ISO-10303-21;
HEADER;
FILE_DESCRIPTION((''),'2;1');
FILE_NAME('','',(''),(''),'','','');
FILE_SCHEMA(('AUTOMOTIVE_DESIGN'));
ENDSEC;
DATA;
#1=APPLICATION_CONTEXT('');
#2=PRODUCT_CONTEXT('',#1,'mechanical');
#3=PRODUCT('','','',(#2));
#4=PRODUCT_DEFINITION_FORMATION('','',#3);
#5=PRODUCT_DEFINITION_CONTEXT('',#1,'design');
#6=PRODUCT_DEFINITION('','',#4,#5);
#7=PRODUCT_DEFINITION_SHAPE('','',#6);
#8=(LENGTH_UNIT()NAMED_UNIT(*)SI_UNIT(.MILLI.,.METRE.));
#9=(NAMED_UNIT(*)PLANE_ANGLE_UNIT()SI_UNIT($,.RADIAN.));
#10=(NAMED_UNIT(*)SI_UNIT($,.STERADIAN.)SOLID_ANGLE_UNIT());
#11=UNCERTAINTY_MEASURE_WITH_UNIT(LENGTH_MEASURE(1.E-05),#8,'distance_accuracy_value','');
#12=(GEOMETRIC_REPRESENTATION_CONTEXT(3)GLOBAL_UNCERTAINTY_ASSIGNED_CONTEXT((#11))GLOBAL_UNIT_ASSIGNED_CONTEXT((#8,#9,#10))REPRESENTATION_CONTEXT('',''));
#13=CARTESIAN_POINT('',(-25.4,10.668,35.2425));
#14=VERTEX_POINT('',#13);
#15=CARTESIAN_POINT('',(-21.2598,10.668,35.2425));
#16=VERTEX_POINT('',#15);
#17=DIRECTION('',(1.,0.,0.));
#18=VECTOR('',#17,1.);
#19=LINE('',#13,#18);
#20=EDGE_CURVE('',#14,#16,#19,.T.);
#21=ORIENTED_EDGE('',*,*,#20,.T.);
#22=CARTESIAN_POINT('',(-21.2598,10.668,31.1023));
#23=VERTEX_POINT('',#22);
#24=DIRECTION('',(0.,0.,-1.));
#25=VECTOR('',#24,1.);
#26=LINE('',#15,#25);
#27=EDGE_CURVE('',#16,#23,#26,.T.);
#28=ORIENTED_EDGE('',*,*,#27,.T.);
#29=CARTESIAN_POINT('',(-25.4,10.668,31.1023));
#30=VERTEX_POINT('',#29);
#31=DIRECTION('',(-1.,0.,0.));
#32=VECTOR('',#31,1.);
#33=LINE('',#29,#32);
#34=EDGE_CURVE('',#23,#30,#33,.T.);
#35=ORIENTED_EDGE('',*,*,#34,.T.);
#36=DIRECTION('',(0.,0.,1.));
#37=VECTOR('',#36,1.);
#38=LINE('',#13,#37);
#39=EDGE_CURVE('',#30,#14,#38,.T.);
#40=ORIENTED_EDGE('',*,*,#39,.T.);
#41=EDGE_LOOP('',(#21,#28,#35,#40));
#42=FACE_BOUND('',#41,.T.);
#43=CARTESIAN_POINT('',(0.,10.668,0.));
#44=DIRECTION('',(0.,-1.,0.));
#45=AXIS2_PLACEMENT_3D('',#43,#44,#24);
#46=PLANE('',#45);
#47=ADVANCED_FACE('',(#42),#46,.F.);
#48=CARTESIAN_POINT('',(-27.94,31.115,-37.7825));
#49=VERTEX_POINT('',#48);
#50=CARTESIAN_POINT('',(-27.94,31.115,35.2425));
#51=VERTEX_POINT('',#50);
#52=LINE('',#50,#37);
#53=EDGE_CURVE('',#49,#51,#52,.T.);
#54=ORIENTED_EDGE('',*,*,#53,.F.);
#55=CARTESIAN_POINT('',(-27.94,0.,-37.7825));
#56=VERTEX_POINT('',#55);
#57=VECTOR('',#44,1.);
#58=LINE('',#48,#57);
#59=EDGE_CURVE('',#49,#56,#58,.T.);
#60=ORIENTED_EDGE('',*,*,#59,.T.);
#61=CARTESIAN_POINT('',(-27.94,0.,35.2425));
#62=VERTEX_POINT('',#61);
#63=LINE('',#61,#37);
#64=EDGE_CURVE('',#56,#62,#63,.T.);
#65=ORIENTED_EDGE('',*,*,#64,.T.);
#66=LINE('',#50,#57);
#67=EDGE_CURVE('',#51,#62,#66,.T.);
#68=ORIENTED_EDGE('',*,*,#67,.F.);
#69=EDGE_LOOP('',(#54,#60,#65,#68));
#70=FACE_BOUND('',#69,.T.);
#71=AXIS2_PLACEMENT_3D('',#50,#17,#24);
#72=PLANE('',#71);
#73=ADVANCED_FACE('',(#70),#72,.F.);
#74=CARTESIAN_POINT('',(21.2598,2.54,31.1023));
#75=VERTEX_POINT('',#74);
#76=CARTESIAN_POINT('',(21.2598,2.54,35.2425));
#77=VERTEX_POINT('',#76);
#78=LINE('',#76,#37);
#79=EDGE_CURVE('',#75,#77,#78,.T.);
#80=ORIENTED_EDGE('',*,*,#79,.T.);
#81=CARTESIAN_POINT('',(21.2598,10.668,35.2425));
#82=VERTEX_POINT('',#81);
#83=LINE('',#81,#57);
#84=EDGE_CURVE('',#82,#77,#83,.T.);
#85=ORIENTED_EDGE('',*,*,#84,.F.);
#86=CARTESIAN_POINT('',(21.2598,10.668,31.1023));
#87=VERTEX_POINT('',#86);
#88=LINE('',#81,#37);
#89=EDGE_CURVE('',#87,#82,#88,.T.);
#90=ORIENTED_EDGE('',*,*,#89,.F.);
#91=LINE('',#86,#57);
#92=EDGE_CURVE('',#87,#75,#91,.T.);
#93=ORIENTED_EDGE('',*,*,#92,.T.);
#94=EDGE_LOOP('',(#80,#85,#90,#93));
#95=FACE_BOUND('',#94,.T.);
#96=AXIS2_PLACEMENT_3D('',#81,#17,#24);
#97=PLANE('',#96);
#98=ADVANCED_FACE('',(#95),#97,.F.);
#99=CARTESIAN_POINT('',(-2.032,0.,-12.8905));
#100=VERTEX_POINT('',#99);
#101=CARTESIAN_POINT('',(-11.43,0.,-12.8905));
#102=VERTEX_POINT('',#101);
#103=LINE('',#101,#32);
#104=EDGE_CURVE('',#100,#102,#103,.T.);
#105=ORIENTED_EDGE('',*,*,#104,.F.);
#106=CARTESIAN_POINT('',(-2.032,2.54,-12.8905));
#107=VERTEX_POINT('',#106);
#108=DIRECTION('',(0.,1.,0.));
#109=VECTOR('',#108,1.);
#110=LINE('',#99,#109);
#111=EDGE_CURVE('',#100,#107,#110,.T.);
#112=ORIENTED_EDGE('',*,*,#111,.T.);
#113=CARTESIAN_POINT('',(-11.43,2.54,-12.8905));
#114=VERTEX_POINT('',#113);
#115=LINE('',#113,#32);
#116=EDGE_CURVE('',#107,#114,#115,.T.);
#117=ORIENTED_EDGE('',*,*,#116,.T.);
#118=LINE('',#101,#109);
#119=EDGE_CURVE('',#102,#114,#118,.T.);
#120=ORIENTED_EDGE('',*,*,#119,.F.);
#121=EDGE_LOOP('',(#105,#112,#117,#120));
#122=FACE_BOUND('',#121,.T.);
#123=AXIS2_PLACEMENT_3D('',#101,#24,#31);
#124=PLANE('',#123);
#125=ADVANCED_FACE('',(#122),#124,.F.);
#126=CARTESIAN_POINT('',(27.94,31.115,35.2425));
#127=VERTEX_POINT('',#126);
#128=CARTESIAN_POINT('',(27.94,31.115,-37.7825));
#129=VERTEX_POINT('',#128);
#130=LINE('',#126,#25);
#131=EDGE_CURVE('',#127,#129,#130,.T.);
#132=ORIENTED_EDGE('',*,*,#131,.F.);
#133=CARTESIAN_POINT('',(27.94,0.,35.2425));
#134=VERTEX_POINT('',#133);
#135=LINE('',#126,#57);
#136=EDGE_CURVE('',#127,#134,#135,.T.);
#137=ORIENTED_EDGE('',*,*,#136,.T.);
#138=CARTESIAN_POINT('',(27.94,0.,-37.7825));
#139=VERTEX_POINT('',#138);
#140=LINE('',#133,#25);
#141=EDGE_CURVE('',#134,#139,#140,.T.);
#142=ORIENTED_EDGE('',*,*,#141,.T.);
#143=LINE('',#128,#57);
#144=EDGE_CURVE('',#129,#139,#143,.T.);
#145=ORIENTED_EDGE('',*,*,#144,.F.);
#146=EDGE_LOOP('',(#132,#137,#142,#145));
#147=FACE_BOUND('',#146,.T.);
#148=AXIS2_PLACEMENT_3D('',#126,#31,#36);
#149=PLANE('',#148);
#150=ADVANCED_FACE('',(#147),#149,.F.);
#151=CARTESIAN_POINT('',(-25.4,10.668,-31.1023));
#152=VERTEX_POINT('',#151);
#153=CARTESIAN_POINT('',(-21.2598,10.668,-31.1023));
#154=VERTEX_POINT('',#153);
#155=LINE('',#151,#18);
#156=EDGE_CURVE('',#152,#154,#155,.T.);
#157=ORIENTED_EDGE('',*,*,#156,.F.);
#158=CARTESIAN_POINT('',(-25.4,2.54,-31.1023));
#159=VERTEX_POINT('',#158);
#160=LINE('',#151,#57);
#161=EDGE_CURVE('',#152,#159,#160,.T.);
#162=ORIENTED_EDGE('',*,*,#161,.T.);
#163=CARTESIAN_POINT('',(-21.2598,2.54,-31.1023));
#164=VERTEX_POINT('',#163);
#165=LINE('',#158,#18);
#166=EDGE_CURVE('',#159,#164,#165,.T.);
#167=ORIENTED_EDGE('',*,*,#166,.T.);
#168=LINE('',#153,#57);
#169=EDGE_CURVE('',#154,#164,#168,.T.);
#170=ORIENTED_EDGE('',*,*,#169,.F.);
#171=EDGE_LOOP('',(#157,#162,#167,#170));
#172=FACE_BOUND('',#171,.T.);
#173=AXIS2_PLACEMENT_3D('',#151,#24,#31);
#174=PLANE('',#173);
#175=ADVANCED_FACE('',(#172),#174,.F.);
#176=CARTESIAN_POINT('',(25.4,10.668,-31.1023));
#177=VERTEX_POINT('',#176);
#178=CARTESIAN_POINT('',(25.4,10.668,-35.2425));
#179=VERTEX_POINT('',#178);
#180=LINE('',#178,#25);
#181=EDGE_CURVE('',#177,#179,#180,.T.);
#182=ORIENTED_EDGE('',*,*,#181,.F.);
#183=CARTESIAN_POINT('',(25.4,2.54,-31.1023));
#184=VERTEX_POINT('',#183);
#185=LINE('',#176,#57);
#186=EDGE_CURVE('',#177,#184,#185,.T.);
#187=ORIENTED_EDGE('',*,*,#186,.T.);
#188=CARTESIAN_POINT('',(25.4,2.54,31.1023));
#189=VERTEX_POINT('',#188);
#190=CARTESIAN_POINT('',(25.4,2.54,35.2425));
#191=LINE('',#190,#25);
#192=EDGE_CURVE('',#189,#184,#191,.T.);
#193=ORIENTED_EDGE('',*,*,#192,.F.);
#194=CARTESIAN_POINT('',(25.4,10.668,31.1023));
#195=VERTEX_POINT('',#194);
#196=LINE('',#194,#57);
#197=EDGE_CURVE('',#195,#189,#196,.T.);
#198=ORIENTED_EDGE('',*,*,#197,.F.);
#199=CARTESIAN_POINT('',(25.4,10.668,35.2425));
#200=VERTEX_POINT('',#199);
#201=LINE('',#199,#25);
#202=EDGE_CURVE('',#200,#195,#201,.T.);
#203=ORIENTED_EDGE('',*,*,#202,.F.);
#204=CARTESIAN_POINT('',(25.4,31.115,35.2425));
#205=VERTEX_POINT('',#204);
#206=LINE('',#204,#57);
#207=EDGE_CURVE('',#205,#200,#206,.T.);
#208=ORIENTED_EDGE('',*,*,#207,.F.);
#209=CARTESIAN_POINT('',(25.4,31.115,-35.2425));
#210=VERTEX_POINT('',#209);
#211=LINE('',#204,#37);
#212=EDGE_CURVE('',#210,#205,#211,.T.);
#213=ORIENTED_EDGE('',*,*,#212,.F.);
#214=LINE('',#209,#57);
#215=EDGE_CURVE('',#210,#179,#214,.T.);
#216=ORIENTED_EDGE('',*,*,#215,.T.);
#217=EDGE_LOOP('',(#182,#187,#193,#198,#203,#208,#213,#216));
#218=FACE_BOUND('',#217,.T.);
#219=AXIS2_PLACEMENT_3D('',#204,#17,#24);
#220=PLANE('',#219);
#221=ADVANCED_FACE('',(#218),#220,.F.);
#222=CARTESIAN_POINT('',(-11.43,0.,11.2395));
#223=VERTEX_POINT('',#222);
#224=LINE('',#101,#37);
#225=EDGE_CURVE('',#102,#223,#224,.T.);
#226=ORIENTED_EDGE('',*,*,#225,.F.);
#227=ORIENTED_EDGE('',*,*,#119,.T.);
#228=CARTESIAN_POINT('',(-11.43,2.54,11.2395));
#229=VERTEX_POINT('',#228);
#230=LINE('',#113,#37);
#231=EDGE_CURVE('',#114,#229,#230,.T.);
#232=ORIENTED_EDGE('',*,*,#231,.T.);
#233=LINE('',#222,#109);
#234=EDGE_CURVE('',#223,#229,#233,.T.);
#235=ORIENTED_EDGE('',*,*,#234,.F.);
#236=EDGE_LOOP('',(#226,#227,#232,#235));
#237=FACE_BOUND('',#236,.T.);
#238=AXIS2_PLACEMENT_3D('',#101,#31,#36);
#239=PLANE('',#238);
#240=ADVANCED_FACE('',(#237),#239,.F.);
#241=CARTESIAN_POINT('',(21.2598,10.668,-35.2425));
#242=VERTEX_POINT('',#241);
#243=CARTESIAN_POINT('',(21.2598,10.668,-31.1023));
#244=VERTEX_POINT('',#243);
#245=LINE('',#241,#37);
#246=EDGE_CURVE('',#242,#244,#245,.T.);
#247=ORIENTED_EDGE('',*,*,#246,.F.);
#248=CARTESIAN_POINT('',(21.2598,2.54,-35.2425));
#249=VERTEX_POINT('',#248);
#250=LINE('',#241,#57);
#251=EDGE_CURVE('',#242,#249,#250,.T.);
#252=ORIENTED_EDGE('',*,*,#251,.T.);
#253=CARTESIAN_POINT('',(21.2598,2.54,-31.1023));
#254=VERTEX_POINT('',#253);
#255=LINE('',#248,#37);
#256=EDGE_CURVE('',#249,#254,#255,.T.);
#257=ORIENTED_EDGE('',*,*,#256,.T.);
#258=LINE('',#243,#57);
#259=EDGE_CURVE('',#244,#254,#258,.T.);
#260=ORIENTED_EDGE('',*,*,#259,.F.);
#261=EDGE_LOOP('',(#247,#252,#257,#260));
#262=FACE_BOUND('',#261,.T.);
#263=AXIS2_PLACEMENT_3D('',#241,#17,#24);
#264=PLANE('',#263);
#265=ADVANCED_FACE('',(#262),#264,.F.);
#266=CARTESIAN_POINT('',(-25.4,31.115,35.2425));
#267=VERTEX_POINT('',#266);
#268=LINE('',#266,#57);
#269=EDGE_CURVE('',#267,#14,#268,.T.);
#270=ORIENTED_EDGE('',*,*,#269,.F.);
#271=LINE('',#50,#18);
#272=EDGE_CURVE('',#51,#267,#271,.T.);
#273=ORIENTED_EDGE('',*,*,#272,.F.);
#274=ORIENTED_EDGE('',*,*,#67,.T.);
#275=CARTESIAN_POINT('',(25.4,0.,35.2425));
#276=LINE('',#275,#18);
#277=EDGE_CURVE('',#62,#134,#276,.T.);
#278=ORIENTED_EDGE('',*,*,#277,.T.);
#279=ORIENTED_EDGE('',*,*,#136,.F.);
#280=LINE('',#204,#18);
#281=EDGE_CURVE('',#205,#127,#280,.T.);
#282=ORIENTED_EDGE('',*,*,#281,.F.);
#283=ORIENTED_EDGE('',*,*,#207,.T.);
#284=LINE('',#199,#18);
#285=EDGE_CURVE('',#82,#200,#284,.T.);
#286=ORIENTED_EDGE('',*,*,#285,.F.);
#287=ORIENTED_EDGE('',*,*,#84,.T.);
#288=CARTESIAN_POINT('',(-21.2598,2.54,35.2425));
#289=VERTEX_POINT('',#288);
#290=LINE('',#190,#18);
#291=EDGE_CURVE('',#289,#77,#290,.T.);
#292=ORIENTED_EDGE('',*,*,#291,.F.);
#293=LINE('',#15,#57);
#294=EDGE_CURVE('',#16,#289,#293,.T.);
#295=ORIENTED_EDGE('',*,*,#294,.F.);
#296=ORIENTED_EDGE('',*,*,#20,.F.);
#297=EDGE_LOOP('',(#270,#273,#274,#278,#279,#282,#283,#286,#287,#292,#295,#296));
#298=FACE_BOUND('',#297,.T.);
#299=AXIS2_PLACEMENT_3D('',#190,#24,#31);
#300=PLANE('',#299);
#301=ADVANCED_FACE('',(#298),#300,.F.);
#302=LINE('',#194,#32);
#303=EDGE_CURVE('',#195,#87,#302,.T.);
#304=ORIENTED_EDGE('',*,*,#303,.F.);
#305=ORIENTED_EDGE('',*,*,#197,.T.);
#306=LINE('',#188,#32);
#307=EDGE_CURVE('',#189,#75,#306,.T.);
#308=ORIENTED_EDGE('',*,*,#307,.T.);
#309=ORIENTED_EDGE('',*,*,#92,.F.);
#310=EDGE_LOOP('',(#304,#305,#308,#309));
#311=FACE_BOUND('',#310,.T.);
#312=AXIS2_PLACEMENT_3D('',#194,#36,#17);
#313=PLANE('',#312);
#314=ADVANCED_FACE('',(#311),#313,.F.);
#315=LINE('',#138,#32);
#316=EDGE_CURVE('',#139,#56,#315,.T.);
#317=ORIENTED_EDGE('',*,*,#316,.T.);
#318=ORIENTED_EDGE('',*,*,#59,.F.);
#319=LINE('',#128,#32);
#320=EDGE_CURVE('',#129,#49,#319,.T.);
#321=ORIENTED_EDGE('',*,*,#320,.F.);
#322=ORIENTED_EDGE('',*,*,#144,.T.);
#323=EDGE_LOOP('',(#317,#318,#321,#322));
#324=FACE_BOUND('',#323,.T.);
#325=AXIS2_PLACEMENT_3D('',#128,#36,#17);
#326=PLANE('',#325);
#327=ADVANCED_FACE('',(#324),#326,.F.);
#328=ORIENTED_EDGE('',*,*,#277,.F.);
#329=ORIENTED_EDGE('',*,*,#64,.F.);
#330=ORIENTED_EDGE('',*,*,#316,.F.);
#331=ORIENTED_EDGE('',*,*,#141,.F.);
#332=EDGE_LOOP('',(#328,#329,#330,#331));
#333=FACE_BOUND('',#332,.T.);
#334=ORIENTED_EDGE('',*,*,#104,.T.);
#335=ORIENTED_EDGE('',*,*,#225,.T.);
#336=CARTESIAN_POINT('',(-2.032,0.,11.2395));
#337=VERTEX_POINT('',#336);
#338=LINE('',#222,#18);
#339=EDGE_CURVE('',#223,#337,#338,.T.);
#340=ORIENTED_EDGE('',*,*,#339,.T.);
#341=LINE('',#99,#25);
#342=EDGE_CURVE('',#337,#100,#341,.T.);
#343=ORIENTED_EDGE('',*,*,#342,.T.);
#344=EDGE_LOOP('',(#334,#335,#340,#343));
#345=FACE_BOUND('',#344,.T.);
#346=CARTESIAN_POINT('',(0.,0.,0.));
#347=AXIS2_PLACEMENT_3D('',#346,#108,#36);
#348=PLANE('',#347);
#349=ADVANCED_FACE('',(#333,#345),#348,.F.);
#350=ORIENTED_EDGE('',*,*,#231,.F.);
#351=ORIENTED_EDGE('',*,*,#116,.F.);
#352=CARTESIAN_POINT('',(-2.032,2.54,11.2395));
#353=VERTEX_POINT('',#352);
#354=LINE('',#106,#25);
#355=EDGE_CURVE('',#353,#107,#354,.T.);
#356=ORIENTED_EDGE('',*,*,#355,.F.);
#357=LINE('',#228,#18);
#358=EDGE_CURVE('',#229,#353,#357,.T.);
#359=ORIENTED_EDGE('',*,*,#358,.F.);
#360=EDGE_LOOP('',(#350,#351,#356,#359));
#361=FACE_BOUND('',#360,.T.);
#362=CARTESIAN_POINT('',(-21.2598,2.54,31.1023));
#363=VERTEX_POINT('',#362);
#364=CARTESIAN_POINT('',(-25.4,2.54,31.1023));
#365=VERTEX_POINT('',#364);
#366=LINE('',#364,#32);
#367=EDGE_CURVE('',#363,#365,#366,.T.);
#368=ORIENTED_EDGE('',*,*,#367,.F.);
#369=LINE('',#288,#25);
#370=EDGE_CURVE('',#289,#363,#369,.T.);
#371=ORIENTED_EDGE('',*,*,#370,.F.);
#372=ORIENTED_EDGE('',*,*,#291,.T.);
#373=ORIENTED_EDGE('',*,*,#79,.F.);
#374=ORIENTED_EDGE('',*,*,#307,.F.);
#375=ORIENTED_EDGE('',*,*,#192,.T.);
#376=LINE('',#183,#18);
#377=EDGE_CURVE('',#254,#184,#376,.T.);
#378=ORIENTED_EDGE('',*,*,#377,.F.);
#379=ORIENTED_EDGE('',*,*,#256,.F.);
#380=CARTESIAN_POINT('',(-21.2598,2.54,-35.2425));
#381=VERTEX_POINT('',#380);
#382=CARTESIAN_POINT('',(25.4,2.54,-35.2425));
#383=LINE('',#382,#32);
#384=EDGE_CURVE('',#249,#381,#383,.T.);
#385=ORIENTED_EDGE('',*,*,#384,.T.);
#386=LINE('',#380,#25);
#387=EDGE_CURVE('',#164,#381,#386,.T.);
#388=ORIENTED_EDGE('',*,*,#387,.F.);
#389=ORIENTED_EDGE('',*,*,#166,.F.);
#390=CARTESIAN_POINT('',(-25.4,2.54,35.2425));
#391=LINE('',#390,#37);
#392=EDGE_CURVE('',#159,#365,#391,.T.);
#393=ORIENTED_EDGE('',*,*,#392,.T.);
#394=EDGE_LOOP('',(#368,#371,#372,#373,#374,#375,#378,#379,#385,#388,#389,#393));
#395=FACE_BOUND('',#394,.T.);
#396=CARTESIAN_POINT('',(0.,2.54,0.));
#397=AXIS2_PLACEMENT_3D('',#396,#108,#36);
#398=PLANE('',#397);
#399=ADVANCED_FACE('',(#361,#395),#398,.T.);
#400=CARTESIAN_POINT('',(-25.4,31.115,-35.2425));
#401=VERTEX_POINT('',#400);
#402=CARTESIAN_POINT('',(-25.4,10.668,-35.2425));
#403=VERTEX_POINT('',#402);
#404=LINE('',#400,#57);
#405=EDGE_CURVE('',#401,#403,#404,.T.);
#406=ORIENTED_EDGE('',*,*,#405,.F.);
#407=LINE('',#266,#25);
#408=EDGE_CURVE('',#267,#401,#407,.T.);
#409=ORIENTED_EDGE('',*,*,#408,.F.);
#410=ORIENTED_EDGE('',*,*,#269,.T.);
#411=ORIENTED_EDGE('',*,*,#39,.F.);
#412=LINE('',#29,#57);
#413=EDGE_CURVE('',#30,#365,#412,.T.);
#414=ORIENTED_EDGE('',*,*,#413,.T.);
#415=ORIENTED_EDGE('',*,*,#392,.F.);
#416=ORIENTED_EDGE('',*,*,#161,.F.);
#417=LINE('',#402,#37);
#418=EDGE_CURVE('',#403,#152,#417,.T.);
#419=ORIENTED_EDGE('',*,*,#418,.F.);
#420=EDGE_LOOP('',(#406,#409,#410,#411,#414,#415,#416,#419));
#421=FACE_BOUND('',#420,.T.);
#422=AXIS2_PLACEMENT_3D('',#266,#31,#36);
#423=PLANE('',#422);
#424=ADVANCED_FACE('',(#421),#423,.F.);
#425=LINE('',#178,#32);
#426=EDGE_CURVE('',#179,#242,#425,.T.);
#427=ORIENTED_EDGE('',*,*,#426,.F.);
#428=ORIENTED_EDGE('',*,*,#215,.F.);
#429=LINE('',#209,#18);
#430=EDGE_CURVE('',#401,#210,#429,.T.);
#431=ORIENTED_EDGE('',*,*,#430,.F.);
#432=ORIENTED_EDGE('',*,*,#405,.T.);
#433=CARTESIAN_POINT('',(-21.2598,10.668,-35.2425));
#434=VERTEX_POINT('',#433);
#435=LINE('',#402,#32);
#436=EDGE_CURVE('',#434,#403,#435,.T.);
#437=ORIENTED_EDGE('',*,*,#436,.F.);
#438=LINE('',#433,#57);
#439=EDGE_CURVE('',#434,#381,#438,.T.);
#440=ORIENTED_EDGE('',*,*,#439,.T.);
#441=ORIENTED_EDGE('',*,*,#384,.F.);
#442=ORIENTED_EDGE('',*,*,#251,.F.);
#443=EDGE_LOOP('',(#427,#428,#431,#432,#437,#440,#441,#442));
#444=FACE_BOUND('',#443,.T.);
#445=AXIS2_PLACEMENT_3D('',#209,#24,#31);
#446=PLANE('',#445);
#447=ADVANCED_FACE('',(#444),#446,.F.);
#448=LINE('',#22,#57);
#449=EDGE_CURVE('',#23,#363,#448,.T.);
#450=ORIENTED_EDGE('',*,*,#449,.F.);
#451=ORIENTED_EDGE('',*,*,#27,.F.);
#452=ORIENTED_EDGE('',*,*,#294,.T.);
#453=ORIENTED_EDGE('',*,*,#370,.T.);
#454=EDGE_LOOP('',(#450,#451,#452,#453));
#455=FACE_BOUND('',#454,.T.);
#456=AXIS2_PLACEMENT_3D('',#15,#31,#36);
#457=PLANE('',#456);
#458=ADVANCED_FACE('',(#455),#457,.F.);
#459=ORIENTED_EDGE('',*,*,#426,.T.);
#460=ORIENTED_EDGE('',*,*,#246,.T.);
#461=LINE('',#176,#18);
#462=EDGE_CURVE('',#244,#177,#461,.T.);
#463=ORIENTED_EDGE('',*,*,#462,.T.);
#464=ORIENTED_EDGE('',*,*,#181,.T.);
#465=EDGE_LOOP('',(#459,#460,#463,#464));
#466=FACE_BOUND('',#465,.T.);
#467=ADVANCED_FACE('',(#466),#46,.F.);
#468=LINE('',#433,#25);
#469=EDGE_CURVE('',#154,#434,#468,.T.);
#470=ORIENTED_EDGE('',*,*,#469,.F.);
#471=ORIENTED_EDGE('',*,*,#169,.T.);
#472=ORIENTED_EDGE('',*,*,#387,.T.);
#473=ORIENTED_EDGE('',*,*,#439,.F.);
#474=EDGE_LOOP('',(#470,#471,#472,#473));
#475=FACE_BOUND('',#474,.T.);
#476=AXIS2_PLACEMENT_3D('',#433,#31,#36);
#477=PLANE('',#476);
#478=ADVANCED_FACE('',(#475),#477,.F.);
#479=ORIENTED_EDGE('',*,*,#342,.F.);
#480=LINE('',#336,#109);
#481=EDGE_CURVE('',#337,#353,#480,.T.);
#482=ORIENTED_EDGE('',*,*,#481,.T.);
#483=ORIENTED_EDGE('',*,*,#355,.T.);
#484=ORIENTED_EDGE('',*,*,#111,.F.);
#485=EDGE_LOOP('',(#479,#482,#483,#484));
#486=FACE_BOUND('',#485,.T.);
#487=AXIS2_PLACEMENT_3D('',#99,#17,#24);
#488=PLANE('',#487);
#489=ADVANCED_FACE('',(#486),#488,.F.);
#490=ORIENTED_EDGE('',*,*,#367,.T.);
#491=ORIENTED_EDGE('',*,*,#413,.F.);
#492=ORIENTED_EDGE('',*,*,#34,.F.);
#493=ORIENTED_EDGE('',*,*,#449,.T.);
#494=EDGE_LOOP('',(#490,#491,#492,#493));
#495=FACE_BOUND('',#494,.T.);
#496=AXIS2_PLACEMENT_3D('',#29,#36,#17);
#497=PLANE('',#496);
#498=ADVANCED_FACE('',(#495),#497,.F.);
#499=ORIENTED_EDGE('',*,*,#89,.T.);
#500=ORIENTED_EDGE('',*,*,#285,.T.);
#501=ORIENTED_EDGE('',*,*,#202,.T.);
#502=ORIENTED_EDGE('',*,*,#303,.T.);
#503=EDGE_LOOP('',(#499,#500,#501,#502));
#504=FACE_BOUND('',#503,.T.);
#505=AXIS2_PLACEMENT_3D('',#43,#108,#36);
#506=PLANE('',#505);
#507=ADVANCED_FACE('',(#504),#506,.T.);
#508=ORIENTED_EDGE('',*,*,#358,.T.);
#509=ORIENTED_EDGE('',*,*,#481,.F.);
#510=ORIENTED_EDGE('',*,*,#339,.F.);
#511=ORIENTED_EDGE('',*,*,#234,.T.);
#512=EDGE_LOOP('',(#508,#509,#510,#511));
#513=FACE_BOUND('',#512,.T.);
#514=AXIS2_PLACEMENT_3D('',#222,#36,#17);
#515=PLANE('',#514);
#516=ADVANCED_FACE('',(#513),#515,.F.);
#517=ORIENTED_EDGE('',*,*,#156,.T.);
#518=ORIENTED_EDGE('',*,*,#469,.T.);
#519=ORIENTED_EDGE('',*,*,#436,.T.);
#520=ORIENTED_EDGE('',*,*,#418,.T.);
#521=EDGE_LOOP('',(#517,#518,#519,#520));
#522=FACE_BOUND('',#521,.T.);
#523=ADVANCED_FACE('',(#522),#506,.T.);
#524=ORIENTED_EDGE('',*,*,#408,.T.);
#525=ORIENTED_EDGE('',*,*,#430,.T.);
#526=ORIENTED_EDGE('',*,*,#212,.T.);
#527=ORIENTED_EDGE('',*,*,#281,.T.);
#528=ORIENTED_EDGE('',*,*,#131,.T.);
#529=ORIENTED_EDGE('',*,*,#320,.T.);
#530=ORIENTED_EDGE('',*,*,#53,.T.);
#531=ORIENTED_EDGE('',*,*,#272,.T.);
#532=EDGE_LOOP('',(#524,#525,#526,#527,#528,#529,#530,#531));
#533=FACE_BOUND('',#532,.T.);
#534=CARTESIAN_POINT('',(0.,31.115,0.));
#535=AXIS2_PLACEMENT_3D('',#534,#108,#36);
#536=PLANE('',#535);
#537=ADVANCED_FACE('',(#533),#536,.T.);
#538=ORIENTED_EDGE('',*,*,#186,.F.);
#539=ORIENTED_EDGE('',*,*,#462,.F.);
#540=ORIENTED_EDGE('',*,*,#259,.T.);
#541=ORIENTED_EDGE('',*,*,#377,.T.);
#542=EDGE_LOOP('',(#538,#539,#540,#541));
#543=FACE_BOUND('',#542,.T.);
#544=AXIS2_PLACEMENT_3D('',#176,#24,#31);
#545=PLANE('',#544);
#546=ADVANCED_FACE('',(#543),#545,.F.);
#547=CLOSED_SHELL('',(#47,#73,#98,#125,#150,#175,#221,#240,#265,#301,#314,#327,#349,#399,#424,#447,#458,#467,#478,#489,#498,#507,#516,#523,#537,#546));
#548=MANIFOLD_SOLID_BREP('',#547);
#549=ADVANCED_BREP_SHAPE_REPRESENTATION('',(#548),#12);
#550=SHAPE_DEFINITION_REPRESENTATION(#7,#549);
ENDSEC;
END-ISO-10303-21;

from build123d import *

# Parameters (mm, degrees)
SKETCH1_W           = 50.8
SKETCH1_H           = 70.485
BOSS_EXTRUDE1_DEPTH = 2.54
BOSS_EXTRUDE2_DEPTH = 31.115
SKETCH6_W           = 4.1402
SKETCH6_H           = 4.1402
BOSS_EXTRUDE3_DEPTH = 8.128
SKETCH8_W           = 9.398
SKETCH8_H           = 24.13
CUT_EXTRUDE2_DEPTH  = 3.54


with BuildPart() as part:
    # Sketch1 → Boss-Extrude1 (new body)
    with BuildSketch(Plane(origin=(0, 0, 0), x_dir=(1, 0, 0), z_dir=(0, 1, 0))):
        Rectangle(SKETCH1_W, SKETCH1_H)
    extrude(amount=BOSS_EXTRUDE1_DEPTH)

    # Sketch5 → Boss-Extrude2 (add)
    with BuildSketch(Plane(origin=(0, 0, 0), x_dir=(1, 0, 0), z_dir=(0, 1, 0))):
        Polygon((27.94, -35.2425), (27.94, 37.7825), (-27.94, 37.7825), (-27.94, -35.2425), (-25.4, -35.2425), (-25.4, 35.2425), (25.4, 35.2425), (25.4, -35.2425), align=None)
    extrude(amount=BOSS_EXTRUDE2_DEPTH)

    # Sketch6 → Boss-Extrude3 (add)
    with BuildSketch(Plane(origin=(0, 2.54, 0), x_dir=(1, 0, 0), z_dir=(0, 1, 0))):
        with Locations((-23.3299, 33.1724)):
            Rectangle(SKETCH6_W, SKETCH6_H)
        with Locations((23.3299, 33.1724)):
            Rectangle(SKETCH6_W, SKETCH6_H)
        with Locations((23.3299, -33.1724)):
            Rectangle(SKETCH6_W, SKETCH6_H)
        with Locations((-23.3299, -33.1724)):
            Rectangle(SKETCH6_W, SKETCH6_H)
    extrude(amount=BOSS_EXTRUDE3_DEPTH)

    # Sketch8 → Cut-Extrude2 (cut, through all)
    with BuildSketch(Plane(origin=(0, 2.54, 0), x_dir=(1, 0, 0), z_dir=(0, 1, 0))):
        with Locations((-6.731, 0.8255)):
            Rectangle(SKETCH8_W, SKETCH8_H)
    extrude(amount=-CUT_EXTRUDE2_DEPTH, mode=Mode.SUBTRACT)


solid = part.part
